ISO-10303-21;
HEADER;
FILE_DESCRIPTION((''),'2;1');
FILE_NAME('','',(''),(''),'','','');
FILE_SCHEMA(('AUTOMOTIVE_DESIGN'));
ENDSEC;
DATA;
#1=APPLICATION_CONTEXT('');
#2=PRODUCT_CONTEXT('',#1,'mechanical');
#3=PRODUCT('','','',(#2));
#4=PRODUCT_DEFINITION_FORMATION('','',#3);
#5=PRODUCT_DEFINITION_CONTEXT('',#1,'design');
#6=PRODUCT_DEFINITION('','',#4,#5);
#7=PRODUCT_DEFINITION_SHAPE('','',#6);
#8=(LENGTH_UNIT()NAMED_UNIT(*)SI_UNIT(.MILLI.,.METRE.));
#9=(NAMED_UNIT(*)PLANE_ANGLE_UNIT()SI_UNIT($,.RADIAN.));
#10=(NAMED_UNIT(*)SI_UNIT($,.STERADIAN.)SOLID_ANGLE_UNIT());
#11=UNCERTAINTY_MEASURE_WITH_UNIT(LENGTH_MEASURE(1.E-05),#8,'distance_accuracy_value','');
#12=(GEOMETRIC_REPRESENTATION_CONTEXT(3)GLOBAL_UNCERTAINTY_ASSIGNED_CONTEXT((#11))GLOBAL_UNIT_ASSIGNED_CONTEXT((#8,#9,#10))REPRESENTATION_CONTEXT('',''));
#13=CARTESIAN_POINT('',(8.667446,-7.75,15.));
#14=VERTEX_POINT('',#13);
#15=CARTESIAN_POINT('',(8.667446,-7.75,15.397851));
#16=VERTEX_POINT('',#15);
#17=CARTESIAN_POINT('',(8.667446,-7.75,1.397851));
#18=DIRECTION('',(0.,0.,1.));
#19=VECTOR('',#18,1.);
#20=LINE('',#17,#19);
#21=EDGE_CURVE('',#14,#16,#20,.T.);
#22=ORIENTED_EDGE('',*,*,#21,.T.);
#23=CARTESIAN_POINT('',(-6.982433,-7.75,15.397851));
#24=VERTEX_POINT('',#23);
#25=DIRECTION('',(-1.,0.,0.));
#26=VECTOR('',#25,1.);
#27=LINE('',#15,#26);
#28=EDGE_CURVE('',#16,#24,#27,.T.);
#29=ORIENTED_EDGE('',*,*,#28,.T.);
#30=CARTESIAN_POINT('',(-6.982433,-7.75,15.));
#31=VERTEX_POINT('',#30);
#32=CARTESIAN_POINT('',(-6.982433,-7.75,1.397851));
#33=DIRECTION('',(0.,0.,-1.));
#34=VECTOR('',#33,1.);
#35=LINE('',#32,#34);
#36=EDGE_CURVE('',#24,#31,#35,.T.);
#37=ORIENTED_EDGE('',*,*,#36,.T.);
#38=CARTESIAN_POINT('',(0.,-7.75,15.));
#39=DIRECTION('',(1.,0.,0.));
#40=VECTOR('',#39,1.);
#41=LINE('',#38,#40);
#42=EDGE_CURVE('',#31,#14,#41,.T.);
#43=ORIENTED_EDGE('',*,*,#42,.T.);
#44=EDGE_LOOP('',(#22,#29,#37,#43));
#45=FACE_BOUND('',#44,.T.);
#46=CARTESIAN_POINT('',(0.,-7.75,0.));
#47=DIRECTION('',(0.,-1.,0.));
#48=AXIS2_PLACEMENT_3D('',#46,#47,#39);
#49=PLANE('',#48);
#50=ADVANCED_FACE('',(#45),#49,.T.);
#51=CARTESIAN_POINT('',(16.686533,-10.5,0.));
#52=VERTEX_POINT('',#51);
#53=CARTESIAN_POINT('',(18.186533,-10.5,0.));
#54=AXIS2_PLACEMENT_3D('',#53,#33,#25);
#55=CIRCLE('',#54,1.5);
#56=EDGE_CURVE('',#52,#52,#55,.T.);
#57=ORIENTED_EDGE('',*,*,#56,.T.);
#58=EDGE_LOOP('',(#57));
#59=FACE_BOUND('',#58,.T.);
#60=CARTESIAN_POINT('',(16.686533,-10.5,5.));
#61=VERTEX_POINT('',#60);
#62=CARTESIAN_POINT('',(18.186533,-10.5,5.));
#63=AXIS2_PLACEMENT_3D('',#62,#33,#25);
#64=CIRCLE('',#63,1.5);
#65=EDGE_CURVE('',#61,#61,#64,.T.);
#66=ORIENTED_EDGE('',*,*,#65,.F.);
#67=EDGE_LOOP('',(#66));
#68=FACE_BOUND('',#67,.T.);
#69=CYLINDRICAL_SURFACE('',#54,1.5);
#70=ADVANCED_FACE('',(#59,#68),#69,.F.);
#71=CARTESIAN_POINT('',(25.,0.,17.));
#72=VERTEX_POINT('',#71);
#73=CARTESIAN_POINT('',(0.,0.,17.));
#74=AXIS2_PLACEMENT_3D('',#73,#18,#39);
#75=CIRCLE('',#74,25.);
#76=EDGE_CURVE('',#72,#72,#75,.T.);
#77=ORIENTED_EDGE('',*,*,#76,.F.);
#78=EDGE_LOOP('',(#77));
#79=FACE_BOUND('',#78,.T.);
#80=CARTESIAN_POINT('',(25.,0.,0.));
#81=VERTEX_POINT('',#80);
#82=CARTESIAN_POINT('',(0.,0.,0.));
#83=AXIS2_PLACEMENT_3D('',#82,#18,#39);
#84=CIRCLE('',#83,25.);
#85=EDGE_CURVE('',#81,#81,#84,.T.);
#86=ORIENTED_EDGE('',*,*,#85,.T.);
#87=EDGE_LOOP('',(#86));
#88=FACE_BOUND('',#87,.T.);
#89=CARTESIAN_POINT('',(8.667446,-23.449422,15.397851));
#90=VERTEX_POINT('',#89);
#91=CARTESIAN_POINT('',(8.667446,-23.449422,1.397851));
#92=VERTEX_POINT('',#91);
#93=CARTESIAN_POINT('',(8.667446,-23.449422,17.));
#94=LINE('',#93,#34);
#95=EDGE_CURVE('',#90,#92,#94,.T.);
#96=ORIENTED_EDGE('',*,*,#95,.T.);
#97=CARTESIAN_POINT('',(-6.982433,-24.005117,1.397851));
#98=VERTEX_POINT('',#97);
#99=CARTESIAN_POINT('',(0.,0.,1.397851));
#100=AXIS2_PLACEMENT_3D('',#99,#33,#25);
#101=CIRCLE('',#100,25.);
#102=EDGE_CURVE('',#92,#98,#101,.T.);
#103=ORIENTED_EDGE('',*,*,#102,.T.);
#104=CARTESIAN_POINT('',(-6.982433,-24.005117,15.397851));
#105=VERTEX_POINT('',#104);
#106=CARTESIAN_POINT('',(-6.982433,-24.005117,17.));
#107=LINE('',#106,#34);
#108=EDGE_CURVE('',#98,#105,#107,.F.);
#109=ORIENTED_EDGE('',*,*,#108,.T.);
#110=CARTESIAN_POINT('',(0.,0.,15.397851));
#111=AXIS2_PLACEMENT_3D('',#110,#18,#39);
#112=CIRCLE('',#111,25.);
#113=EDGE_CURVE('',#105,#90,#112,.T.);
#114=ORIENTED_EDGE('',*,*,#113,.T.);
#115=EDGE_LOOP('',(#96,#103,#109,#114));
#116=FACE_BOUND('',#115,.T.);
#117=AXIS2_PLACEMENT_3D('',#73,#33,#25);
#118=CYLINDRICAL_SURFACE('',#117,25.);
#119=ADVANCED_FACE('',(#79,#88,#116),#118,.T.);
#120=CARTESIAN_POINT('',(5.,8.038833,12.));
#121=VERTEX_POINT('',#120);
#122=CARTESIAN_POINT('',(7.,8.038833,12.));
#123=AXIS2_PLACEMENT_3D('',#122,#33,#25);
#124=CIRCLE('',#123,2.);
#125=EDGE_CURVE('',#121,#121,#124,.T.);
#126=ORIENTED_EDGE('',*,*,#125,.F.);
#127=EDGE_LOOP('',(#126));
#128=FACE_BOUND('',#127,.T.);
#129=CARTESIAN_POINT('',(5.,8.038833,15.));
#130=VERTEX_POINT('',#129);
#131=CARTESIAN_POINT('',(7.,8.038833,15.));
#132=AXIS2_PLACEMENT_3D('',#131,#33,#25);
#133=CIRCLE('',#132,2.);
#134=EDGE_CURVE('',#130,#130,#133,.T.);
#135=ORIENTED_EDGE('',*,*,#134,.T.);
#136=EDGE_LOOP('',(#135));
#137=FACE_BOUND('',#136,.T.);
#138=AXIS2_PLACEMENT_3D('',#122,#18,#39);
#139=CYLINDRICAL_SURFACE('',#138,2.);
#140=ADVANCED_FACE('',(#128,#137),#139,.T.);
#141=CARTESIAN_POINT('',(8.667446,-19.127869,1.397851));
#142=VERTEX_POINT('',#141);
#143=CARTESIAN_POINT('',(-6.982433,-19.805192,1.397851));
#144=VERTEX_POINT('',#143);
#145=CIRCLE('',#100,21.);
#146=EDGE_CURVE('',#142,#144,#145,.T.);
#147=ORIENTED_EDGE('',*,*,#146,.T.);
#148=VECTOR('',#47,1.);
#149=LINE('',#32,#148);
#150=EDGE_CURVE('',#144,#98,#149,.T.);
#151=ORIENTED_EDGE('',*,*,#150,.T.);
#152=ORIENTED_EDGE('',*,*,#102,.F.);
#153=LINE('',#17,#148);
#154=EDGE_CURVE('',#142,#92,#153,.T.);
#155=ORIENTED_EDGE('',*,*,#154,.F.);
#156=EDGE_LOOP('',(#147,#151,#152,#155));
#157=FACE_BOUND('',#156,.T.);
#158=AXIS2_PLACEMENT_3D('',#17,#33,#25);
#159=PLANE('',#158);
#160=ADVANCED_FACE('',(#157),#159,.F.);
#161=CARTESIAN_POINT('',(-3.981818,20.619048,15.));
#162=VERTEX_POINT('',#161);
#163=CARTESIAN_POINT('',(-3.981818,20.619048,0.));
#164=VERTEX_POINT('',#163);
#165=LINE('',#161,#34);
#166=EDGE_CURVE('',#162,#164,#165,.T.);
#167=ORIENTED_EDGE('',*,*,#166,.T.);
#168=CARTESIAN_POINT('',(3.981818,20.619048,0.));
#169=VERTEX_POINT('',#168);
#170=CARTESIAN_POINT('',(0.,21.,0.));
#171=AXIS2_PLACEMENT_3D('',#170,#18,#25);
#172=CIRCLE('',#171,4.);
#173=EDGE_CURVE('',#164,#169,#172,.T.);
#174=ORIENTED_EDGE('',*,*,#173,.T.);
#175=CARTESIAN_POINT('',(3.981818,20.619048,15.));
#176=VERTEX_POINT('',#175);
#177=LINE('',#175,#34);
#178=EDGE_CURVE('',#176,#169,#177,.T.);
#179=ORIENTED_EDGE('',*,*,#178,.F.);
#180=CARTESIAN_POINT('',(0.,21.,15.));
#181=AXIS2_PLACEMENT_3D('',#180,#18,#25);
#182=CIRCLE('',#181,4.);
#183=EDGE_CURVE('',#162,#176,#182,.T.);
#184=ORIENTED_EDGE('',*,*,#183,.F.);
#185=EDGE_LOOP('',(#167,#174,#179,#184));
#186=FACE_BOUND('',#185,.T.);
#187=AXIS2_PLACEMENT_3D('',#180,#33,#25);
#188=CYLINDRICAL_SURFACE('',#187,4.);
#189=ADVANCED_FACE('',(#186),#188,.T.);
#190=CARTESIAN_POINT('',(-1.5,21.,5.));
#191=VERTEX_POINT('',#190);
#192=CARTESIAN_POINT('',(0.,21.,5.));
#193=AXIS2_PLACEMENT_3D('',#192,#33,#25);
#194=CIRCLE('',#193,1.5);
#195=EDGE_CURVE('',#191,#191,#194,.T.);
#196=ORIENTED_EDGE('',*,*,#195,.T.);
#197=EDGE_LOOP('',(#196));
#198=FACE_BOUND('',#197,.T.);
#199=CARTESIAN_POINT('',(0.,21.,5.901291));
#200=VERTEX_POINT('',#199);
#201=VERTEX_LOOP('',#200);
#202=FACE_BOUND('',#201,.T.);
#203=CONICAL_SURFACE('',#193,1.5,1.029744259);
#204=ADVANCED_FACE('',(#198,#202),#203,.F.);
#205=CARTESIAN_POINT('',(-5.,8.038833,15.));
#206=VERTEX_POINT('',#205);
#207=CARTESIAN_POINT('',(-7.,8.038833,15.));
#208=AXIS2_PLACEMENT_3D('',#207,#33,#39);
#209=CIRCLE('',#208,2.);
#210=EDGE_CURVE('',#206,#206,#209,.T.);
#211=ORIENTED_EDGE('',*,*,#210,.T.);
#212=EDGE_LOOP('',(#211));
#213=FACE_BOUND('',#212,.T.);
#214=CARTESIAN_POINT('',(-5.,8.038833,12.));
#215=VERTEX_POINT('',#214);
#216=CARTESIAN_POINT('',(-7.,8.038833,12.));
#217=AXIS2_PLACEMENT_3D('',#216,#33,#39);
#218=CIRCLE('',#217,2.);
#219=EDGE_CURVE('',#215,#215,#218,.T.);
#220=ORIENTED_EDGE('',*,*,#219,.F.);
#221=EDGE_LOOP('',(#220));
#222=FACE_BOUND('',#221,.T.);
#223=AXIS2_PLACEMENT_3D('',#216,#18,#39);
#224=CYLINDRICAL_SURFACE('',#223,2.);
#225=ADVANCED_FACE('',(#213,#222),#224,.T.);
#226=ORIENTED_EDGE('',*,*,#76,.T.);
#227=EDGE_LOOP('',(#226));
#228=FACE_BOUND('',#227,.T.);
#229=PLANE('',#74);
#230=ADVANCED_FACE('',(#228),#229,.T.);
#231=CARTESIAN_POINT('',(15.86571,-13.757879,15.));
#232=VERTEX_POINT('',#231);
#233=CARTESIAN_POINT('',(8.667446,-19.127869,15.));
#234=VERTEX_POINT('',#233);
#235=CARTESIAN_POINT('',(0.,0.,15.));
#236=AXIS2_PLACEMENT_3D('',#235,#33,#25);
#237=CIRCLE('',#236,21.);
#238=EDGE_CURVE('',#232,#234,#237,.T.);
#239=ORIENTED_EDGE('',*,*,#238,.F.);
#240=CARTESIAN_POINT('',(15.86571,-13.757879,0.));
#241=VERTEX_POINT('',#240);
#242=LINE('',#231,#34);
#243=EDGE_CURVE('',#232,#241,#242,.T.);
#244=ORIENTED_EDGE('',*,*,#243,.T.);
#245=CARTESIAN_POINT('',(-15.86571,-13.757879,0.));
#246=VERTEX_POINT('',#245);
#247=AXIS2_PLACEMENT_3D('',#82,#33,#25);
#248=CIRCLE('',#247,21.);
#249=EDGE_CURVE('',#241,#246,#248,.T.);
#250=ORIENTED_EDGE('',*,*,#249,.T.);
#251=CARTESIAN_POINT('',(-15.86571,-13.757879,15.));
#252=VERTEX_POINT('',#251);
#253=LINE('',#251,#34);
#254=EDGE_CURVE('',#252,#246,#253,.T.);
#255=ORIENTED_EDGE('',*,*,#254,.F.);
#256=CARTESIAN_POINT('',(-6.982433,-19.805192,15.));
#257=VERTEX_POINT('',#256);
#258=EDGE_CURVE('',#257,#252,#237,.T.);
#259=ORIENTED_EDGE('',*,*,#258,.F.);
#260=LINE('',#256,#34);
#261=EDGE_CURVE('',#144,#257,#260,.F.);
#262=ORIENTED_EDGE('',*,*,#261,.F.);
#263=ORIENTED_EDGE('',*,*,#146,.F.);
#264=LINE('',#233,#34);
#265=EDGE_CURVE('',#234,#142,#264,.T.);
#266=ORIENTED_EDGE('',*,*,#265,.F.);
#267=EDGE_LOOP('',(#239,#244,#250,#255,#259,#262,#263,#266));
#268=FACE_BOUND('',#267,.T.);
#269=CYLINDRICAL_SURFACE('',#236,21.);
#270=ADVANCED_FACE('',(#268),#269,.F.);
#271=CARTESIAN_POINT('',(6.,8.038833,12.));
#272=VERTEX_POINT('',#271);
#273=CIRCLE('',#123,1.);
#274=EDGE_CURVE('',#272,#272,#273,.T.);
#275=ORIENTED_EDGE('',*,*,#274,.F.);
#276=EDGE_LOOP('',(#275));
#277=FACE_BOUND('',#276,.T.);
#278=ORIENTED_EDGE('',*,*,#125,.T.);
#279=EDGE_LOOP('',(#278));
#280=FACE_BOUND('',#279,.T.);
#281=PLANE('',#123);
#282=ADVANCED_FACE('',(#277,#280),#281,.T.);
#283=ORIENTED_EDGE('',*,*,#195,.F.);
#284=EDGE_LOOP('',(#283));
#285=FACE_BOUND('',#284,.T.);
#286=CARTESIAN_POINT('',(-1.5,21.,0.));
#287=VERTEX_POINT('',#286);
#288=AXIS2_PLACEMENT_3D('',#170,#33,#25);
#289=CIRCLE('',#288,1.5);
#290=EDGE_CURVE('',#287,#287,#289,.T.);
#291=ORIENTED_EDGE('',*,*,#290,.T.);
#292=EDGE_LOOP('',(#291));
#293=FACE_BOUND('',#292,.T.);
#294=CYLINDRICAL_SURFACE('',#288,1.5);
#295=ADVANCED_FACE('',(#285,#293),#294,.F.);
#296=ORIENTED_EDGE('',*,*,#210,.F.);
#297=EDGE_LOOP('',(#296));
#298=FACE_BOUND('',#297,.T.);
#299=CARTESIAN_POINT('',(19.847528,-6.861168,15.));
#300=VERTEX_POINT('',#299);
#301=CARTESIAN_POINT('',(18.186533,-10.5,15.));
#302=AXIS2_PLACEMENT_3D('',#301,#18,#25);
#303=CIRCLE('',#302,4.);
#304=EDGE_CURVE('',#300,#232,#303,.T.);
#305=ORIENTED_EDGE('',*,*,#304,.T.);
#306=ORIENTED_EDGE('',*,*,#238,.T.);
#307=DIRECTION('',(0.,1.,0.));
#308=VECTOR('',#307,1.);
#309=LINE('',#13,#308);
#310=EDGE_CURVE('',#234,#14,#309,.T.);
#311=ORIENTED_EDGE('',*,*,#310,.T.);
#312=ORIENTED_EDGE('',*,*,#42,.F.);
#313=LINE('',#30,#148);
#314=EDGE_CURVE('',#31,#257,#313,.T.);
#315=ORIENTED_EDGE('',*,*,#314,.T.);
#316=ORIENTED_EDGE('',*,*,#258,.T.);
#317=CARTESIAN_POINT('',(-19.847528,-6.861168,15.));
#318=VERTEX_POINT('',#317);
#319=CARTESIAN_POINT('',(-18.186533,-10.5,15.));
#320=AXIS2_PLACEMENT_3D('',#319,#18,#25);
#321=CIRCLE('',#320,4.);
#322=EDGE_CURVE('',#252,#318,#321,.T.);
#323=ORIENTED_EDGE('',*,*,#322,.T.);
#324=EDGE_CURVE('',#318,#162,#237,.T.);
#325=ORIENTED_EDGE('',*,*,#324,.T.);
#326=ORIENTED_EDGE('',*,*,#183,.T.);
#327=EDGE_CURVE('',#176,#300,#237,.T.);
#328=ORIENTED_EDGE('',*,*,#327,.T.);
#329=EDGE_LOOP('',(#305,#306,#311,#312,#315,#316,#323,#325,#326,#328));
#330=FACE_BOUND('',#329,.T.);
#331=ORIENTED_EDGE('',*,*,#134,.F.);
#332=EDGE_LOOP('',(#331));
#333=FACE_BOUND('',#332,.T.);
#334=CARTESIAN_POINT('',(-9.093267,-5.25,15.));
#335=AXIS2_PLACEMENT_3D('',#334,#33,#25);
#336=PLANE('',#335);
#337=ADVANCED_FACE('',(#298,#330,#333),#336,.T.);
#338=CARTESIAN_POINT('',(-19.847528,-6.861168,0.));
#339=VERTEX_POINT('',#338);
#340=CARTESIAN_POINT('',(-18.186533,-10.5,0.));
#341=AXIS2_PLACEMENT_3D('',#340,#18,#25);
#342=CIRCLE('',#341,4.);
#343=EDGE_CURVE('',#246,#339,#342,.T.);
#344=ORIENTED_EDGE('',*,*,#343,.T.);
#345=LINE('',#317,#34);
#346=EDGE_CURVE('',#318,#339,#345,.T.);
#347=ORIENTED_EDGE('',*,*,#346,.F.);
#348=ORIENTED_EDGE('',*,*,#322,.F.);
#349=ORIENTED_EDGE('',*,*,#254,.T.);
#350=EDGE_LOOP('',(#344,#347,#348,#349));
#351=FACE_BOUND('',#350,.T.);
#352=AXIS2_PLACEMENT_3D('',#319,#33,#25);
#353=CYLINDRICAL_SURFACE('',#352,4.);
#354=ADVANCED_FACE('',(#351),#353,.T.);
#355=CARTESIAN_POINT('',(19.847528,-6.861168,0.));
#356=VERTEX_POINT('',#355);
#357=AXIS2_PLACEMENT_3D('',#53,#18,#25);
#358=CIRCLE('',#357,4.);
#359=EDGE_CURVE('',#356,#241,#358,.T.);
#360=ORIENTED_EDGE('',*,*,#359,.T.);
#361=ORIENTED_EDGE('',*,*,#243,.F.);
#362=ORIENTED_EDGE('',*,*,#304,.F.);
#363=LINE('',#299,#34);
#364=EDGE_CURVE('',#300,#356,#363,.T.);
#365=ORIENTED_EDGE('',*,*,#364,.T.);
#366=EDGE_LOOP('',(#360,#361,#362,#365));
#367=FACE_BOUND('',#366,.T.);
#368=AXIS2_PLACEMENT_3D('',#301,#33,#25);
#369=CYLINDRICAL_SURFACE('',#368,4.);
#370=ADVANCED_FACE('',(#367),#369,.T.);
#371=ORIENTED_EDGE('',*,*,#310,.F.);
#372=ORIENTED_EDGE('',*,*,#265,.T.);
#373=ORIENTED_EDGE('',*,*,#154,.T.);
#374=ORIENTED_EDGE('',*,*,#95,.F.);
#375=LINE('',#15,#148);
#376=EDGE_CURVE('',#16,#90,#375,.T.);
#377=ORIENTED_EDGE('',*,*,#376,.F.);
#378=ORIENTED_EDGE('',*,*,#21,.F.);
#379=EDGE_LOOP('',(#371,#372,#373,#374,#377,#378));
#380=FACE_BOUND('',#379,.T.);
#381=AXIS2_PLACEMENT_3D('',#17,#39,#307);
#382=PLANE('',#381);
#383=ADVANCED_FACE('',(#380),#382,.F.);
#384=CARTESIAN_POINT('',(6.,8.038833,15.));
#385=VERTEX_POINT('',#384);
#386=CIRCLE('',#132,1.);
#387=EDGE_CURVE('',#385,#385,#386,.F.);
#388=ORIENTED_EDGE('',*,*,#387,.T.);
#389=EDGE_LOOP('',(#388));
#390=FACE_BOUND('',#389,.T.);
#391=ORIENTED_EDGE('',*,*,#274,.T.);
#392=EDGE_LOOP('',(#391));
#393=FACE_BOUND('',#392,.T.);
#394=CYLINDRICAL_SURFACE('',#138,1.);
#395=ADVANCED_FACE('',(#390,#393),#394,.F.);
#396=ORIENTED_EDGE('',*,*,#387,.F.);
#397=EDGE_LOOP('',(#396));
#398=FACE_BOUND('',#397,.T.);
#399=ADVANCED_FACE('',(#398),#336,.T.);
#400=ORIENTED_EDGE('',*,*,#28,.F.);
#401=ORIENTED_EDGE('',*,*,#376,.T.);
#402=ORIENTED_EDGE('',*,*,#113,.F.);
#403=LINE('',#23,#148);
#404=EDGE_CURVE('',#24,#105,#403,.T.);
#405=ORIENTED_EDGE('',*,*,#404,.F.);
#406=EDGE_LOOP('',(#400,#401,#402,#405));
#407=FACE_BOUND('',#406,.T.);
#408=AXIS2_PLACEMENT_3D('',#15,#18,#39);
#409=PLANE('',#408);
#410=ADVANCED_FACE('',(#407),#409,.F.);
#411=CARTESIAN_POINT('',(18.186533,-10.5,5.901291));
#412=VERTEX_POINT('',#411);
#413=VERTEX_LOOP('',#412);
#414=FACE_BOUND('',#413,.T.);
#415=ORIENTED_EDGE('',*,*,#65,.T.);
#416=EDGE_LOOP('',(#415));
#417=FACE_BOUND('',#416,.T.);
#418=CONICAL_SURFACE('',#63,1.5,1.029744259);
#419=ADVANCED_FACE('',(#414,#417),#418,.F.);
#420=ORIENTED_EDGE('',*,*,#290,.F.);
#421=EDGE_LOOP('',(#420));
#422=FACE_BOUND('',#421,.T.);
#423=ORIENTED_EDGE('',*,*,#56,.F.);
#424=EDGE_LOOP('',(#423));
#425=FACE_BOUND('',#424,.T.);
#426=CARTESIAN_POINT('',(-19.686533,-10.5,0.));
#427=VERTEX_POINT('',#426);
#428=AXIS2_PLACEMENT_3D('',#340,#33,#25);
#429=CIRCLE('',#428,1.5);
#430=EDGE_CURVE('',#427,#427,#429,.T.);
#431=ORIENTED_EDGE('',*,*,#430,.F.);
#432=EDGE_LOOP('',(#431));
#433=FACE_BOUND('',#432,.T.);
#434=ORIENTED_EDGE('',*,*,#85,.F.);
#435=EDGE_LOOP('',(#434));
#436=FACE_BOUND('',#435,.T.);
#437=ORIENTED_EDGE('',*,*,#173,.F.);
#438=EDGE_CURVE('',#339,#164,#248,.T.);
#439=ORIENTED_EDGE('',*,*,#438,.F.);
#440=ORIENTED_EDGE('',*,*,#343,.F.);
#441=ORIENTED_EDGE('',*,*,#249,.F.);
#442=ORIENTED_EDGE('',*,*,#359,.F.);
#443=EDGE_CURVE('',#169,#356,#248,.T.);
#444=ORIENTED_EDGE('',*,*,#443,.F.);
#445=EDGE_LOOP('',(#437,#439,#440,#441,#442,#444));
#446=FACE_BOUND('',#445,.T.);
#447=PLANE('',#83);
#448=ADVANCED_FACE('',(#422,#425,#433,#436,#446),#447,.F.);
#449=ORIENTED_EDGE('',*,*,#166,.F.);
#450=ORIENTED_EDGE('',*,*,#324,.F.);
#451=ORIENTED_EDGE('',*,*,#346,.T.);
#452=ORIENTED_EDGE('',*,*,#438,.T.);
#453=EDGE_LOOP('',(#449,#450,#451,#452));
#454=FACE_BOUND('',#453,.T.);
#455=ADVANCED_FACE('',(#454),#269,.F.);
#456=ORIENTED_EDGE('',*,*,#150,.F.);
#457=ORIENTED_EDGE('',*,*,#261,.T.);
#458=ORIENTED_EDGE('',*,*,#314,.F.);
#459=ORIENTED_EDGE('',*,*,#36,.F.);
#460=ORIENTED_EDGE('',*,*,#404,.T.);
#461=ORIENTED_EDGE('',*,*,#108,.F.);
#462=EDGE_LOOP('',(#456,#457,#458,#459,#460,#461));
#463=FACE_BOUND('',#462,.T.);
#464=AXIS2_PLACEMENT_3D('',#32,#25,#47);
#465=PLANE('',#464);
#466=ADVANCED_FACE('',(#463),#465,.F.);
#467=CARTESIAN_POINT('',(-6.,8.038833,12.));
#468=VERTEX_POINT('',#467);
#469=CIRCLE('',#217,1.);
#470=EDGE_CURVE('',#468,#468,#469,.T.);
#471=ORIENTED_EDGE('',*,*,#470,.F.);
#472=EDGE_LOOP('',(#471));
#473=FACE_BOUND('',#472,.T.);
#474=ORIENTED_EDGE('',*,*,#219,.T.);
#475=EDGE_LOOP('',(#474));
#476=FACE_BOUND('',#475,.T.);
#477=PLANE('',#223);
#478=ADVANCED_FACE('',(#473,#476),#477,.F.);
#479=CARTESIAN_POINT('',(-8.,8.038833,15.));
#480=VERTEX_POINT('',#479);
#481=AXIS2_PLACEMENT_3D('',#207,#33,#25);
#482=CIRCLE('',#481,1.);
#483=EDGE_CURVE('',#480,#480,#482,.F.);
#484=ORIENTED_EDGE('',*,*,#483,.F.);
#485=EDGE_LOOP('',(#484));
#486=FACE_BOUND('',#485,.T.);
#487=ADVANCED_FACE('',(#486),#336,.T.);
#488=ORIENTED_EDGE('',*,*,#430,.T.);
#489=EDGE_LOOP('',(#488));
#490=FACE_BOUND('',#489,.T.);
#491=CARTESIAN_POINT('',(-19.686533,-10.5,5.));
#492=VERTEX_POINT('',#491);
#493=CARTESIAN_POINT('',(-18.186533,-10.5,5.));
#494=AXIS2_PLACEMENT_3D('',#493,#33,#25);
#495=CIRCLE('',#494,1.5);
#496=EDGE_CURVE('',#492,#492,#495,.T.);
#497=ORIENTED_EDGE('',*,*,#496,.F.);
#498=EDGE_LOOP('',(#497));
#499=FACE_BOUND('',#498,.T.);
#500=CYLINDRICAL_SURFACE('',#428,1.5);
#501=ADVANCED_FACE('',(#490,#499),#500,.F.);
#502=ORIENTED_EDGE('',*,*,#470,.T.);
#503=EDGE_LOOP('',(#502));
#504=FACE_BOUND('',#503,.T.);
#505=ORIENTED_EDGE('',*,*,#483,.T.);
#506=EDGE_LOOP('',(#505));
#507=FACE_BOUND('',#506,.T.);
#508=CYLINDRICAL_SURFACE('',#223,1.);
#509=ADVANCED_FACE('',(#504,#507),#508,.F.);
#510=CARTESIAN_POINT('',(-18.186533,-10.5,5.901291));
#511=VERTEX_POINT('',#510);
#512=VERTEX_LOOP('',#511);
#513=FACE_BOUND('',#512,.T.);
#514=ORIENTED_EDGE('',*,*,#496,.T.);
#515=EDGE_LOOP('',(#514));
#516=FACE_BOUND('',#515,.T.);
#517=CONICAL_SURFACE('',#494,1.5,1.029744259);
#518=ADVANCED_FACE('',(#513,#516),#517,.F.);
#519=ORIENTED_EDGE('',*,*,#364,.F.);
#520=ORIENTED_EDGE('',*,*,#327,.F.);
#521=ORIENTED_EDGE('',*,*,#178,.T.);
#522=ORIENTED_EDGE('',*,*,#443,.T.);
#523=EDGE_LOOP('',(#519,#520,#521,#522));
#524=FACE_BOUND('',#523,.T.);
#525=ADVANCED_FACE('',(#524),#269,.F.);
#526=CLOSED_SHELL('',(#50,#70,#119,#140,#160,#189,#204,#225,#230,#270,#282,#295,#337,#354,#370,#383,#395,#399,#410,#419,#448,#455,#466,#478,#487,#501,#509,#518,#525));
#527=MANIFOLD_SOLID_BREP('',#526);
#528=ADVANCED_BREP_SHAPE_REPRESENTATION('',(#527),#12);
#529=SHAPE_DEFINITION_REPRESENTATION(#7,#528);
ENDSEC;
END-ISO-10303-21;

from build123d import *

# Parameters (mm, degrees)
SKETCH1_R           = 25
BOSS_EXTRUDE1_DEPTH = 17
CIRPATTERN1_COUNT   = 3
SKETCH14_W          = 15.649879363
SKETCH14_H          = 14
CUT_EXTRUDE2_DEPTH  = 17.25
CUT_EXTRUDE3_DEPTH  = 15
SKETCH16_R          = 2
SKETCH16_R_2        = 1
BOSS_EXTRUDE2_DEPTH = 3


with BuildPart() as part:
    # Sketch1 → Boss-Extrude1 (new body)
    with BuildSketch(Plane.XY):
        Circle(SKETCH1_R)
    extrude(amount=BOSS_EXTRUDE1_DEPTH)

    # Sketch12 → Ø3.0mm Dowel Hole1 (revolve, cut)
    with BuildSketch(Plane(origin=(0, 21, 0), x_dir=(0, 1, 0), z_dir=(1, 0, 0))):
        Polygon((0, 0), (0, 5.901290929), (1.5, 5), (1.5, 0), align=None)
    f_3_0mm_dowel_hole1 = revolve(axis=Axis((0, 21, -6.35), (0, 0, 1)), mode=Mode.SUBTRACT)

    # CirPattern1: Ø3.0mm Dowel Hole1 ×3 about axis
    cirpattern1_axis = Axis((0, 0, 0), (0, 0, 1))
    for i in range(1, CIRPATTERN1_COUNT):
        add(f_3_0mm_dowel_hole1.rotate(cirpattern1_axis, i * 360 / CIRPATTERN1_COUNT), mode=Mode.SUBTRACT)

    # Sketch14 → Cut-Extrude2 (cut)
    with BuildSketch(Plane(origin=(0, -25, 0), x_dir=(-1, 0, 0), z_dir=(0, -1, 0))):
        with Locations((-0.842506508, -8.397851159)):
            Rectangle(SKETCH14_W, SKETCH14_H)
    extrude(amount=-CUT_EXTRUDE2_DEPTH, mode=Mode.SUBTRACT)

    # Sketch15 → Cut-Extrude3 (cut)
    with BuildSketch(Plane(origin=(0, 0, 0), x_dir=(-1, 0, 0), z_dir=(0, 0, -1))):
        with BuildLine():
            ThreePointArc((-3.981818088, 20.619047619), (0, 17), (3.981818088, 20.619047619))
            ThreePointArc((3.981818088, 20.619047619), (18.186533479, 10.5), (19.847528084, -6.861168192))
            ThreePointArc((19.847528084, -6.861168192), (14.722431864, -8.5), (15.865709996, -13.757879427))
            ThreePointArc((15.865709996, -13.757879427), (0, -21), (-15.865709996, -13.757879427))
            ThreePointArc((-15.865709996, -13.757879427), (-14.722431864, -8.5), (-19.847528084, -6.861168192))
            ThreePointArc((-19.847528084, -6.861168192), (-18.186533479, 10.5), (-3.981818088, 20.619047619))
        make_face()
    extrude(amount=-CUT_EXTRUDE3_DEPTH, mode=Mode.SUBTRACT)

    # Sketch16 → Boss-Extrude2 (add)
    with BuildSketch(Plane(origin=(0, 0, 15), x_dir=(-1, 0, 0), z_dir=(0, 0, -1))):
        with Locations((-7, 8.038832814)):
            Circle(SKETCH16_R)
        with Locations((-7, 8.038832814)):
            Circle(SKETCH16_R_2, mode=Mode.SUBTRACT)
        with Locations((7, 8.038832814)):
            Circle(SKETCH16_R)
        with Locations((7, 8.038832814)):
            Circle(SKETCH16_R_2, mode=Mode.SUBTRACT)
    extrude(amount=BOSS_EXTRUDE2_DEPTH)


solid = part.part
